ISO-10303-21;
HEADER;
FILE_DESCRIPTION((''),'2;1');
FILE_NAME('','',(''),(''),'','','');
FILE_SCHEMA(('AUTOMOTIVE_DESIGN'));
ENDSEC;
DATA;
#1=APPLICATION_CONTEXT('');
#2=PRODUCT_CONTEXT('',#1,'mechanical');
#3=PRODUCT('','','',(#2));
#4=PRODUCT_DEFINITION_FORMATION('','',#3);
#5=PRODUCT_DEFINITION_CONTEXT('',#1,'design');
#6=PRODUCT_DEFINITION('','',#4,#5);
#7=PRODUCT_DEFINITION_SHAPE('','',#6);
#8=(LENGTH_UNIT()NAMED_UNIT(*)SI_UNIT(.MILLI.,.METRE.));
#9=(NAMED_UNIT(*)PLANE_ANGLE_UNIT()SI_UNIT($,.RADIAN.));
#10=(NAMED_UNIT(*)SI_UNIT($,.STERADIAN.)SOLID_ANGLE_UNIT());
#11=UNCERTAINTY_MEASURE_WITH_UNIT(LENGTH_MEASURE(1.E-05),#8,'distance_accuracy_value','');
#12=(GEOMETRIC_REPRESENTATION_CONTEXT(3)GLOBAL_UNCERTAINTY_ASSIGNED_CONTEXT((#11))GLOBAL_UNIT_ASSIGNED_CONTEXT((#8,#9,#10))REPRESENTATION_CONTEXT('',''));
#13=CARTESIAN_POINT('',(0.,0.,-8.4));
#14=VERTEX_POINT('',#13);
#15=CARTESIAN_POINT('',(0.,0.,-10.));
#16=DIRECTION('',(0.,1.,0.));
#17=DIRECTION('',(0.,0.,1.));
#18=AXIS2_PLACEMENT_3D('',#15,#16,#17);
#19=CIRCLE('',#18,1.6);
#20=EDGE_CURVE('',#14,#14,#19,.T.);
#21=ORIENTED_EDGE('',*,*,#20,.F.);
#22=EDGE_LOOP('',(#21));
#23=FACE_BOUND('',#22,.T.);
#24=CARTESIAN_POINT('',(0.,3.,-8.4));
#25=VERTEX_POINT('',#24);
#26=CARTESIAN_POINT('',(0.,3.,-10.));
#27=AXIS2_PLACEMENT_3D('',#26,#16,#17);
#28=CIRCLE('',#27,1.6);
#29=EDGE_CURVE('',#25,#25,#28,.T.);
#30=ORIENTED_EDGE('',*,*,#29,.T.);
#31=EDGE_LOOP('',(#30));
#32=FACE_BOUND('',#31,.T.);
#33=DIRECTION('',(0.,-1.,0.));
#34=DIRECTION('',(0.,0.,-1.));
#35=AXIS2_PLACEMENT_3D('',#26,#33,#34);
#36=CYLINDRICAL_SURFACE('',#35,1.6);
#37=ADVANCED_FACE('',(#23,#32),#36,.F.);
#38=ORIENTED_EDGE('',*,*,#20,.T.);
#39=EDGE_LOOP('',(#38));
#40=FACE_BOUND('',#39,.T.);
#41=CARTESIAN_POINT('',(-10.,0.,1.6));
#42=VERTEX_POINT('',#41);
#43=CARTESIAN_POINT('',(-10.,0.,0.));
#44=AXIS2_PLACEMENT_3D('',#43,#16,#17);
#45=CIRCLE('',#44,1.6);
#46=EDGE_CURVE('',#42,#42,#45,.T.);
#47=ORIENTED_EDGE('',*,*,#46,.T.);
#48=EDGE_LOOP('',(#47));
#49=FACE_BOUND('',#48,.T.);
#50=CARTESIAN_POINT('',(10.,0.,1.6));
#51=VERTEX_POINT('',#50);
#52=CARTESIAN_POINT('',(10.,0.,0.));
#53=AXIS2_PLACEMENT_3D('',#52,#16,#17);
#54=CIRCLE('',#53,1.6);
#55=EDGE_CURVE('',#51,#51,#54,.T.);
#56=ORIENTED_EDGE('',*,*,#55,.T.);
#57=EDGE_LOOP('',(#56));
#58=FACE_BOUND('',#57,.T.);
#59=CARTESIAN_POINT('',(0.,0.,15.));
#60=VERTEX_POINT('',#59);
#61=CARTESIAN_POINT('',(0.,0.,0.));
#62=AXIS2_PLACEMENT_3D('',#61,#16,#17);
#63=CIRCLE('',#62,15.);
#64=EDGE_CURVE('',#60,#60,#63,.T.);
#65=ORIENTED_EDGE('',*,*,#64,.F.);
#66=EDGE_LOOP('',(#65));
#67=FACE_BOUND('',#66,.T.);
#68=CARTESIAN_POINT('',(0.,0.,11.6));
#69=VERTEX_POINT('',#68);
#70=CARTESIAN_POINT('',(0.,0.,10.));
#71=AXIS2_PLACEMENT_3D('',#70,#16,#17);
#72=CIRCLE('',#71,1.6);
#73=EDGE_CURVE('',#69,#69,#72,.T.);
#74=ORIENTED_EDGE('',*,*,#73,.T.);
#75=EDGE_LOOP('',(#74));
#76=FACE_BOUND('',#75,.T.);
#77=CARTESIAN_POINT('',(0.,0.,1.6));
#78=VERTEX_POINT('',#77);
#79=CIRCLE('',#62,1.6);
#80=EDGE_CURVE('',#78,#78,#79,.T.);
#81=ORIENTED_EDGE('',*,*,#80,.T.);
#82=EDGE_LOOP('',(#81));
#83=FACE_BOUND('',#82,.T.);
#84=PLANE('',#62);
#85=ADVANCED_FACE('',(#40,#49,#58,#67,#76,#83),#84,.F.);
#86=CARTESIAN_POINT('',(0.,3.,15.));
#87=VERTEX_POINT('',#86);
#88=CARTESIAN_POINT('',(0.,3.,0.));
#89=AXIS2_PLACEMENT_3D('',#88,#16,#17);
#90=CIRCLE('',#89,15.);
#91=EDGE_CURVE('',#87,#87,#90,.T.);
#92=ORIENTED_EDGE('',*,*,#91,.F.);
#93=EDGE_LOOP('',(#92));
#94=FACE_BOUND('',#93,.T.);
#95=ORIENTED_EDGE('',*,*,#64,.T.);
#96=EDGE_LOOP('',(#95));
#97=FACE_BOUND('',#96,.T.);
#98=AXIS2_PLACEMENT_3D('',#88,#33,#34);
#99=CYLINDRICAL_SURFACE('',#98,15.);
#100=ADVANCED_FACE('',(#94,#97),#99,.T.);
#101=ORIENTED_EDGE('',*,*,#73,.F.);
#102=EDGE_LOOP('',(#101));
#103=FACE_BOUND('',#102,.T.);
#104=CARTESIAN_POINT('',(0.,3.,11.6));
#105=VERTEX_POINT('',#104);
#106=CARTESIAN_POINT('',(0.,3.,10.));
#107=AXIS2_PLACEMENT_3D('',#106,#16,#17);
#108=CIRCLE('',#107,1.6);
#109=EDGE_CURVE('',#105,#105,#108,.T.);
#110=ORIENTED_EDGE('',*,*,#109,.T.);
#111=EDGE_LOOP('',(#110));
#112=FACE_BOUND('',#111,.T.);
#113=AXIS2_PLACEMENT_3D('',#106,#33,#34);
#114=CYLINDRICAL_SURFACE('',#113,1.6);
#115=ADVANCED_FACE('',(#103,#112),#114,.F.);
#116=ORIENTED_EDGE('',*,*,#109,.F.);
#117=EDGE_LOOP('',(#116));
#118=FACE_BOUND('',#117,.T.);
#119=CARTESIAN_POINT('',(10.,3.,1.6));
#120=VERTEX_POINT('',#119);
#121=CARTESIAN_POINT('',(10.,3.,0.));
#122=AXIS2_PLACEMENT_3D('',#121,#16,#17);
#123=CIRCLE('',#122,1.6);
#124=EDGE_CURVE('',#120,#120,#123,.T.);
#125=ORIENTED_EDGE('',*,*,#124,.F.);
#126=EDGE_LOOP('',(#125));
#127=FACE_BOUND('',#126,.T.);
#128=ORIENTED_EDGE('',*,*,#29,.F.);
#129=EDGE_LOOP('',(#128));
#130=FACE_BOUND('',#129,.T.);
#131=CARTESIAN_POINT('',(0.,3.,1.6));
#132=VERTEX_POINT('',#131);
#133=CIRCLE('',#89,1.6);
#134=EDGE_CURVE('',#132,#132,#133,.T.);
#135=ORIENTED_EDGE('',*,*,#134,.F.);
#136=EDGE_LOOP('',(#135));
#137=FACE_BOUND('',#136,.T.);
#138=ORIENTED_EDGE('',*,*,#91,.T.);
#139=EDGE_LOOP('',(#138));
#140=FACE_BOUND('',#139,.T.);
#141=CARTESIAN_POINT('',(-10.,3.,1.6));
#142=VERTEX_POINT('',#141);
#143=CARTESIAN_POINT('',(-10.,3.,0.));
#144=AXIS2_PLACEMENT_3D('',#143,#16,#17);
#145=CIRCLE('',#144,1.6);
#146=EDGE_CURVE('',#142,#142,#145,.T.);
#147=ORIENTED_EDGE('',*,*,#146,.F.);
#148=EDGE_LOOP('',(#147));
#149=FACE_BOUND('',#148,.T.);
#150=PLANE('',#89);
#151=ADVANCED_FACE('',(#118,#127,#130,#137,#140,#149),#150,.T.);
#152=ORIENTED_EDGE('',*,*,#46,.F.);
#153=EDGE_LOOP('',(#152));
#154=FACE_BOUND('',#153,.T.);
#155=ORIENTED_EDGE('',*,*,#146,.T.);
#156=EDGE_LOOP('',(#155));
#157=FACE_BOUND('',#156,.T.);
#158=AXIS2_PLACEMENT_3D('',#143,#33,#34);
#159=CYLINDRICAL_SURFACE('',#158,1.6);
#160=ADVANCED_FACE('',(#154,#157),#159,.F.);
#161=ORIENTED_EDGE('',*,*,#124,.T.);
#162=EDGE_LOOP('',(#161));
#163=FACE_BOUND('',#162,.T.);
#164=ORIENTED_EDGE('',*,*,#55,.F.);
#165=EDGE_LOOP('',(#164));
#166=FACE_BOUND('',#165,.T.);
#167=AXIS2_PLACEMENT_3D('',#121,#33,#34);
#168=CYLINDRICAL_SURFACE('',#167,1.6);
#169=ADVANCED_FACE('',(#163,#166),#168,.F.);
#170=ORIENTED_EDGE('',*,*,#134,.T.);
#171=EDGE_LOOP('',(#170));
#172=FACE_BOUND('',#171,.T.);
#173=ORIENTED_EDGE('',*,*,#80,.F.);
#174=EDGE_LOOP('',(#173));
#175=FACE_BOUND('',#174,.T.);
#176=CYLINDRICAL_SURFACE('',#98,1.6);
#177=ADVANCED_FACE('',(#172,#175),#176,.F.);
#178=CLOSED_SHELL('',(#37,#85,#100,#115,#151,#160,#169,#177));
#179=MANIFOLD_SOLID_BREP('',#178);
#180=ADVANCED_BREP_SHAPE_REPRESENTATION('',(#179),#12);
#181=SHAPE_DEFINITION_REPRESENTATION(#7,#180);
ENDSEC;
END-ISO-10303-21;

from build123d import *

# Parameters (mm, degrees)
SKETCH1_R           = 15
SKETCH1_R_2         = 1.6
BOSS_EXTRUDE1_DEPTH = 3


with BuildPart() as part:
    # Sketch1 → Boss-Extrude1 (new body)
    with BuildSketch(Plane(origin=(0, 0, 0), x_dir=(1, 0, 0), z_dir=(0, 1, 0))):
        Circle(SKETCH1_R)
        Circle(SKETCH1_R_2, mode=Mode.SUBTRACT)
        with Locations((0, 10)):
            Circle(SKETCH1_R_2, mode=Mode.SUBTRACT)
        with Locations((10, 0)):
            Circle(SKETCH1_R_2, mode=Mode.SUBTRACT)
        with Locations((0, -10)):
            Circle(SKETCH1_R_2, mode=Mode.SUBTRACT)
        with Locations((-10, 0)):
            Circle(SKETCH1_R_2, mode=Mode.SUBTRACT)
    extrude(amount=BOSS_EXTRUDE1_DEPTH)


solid = part.part
